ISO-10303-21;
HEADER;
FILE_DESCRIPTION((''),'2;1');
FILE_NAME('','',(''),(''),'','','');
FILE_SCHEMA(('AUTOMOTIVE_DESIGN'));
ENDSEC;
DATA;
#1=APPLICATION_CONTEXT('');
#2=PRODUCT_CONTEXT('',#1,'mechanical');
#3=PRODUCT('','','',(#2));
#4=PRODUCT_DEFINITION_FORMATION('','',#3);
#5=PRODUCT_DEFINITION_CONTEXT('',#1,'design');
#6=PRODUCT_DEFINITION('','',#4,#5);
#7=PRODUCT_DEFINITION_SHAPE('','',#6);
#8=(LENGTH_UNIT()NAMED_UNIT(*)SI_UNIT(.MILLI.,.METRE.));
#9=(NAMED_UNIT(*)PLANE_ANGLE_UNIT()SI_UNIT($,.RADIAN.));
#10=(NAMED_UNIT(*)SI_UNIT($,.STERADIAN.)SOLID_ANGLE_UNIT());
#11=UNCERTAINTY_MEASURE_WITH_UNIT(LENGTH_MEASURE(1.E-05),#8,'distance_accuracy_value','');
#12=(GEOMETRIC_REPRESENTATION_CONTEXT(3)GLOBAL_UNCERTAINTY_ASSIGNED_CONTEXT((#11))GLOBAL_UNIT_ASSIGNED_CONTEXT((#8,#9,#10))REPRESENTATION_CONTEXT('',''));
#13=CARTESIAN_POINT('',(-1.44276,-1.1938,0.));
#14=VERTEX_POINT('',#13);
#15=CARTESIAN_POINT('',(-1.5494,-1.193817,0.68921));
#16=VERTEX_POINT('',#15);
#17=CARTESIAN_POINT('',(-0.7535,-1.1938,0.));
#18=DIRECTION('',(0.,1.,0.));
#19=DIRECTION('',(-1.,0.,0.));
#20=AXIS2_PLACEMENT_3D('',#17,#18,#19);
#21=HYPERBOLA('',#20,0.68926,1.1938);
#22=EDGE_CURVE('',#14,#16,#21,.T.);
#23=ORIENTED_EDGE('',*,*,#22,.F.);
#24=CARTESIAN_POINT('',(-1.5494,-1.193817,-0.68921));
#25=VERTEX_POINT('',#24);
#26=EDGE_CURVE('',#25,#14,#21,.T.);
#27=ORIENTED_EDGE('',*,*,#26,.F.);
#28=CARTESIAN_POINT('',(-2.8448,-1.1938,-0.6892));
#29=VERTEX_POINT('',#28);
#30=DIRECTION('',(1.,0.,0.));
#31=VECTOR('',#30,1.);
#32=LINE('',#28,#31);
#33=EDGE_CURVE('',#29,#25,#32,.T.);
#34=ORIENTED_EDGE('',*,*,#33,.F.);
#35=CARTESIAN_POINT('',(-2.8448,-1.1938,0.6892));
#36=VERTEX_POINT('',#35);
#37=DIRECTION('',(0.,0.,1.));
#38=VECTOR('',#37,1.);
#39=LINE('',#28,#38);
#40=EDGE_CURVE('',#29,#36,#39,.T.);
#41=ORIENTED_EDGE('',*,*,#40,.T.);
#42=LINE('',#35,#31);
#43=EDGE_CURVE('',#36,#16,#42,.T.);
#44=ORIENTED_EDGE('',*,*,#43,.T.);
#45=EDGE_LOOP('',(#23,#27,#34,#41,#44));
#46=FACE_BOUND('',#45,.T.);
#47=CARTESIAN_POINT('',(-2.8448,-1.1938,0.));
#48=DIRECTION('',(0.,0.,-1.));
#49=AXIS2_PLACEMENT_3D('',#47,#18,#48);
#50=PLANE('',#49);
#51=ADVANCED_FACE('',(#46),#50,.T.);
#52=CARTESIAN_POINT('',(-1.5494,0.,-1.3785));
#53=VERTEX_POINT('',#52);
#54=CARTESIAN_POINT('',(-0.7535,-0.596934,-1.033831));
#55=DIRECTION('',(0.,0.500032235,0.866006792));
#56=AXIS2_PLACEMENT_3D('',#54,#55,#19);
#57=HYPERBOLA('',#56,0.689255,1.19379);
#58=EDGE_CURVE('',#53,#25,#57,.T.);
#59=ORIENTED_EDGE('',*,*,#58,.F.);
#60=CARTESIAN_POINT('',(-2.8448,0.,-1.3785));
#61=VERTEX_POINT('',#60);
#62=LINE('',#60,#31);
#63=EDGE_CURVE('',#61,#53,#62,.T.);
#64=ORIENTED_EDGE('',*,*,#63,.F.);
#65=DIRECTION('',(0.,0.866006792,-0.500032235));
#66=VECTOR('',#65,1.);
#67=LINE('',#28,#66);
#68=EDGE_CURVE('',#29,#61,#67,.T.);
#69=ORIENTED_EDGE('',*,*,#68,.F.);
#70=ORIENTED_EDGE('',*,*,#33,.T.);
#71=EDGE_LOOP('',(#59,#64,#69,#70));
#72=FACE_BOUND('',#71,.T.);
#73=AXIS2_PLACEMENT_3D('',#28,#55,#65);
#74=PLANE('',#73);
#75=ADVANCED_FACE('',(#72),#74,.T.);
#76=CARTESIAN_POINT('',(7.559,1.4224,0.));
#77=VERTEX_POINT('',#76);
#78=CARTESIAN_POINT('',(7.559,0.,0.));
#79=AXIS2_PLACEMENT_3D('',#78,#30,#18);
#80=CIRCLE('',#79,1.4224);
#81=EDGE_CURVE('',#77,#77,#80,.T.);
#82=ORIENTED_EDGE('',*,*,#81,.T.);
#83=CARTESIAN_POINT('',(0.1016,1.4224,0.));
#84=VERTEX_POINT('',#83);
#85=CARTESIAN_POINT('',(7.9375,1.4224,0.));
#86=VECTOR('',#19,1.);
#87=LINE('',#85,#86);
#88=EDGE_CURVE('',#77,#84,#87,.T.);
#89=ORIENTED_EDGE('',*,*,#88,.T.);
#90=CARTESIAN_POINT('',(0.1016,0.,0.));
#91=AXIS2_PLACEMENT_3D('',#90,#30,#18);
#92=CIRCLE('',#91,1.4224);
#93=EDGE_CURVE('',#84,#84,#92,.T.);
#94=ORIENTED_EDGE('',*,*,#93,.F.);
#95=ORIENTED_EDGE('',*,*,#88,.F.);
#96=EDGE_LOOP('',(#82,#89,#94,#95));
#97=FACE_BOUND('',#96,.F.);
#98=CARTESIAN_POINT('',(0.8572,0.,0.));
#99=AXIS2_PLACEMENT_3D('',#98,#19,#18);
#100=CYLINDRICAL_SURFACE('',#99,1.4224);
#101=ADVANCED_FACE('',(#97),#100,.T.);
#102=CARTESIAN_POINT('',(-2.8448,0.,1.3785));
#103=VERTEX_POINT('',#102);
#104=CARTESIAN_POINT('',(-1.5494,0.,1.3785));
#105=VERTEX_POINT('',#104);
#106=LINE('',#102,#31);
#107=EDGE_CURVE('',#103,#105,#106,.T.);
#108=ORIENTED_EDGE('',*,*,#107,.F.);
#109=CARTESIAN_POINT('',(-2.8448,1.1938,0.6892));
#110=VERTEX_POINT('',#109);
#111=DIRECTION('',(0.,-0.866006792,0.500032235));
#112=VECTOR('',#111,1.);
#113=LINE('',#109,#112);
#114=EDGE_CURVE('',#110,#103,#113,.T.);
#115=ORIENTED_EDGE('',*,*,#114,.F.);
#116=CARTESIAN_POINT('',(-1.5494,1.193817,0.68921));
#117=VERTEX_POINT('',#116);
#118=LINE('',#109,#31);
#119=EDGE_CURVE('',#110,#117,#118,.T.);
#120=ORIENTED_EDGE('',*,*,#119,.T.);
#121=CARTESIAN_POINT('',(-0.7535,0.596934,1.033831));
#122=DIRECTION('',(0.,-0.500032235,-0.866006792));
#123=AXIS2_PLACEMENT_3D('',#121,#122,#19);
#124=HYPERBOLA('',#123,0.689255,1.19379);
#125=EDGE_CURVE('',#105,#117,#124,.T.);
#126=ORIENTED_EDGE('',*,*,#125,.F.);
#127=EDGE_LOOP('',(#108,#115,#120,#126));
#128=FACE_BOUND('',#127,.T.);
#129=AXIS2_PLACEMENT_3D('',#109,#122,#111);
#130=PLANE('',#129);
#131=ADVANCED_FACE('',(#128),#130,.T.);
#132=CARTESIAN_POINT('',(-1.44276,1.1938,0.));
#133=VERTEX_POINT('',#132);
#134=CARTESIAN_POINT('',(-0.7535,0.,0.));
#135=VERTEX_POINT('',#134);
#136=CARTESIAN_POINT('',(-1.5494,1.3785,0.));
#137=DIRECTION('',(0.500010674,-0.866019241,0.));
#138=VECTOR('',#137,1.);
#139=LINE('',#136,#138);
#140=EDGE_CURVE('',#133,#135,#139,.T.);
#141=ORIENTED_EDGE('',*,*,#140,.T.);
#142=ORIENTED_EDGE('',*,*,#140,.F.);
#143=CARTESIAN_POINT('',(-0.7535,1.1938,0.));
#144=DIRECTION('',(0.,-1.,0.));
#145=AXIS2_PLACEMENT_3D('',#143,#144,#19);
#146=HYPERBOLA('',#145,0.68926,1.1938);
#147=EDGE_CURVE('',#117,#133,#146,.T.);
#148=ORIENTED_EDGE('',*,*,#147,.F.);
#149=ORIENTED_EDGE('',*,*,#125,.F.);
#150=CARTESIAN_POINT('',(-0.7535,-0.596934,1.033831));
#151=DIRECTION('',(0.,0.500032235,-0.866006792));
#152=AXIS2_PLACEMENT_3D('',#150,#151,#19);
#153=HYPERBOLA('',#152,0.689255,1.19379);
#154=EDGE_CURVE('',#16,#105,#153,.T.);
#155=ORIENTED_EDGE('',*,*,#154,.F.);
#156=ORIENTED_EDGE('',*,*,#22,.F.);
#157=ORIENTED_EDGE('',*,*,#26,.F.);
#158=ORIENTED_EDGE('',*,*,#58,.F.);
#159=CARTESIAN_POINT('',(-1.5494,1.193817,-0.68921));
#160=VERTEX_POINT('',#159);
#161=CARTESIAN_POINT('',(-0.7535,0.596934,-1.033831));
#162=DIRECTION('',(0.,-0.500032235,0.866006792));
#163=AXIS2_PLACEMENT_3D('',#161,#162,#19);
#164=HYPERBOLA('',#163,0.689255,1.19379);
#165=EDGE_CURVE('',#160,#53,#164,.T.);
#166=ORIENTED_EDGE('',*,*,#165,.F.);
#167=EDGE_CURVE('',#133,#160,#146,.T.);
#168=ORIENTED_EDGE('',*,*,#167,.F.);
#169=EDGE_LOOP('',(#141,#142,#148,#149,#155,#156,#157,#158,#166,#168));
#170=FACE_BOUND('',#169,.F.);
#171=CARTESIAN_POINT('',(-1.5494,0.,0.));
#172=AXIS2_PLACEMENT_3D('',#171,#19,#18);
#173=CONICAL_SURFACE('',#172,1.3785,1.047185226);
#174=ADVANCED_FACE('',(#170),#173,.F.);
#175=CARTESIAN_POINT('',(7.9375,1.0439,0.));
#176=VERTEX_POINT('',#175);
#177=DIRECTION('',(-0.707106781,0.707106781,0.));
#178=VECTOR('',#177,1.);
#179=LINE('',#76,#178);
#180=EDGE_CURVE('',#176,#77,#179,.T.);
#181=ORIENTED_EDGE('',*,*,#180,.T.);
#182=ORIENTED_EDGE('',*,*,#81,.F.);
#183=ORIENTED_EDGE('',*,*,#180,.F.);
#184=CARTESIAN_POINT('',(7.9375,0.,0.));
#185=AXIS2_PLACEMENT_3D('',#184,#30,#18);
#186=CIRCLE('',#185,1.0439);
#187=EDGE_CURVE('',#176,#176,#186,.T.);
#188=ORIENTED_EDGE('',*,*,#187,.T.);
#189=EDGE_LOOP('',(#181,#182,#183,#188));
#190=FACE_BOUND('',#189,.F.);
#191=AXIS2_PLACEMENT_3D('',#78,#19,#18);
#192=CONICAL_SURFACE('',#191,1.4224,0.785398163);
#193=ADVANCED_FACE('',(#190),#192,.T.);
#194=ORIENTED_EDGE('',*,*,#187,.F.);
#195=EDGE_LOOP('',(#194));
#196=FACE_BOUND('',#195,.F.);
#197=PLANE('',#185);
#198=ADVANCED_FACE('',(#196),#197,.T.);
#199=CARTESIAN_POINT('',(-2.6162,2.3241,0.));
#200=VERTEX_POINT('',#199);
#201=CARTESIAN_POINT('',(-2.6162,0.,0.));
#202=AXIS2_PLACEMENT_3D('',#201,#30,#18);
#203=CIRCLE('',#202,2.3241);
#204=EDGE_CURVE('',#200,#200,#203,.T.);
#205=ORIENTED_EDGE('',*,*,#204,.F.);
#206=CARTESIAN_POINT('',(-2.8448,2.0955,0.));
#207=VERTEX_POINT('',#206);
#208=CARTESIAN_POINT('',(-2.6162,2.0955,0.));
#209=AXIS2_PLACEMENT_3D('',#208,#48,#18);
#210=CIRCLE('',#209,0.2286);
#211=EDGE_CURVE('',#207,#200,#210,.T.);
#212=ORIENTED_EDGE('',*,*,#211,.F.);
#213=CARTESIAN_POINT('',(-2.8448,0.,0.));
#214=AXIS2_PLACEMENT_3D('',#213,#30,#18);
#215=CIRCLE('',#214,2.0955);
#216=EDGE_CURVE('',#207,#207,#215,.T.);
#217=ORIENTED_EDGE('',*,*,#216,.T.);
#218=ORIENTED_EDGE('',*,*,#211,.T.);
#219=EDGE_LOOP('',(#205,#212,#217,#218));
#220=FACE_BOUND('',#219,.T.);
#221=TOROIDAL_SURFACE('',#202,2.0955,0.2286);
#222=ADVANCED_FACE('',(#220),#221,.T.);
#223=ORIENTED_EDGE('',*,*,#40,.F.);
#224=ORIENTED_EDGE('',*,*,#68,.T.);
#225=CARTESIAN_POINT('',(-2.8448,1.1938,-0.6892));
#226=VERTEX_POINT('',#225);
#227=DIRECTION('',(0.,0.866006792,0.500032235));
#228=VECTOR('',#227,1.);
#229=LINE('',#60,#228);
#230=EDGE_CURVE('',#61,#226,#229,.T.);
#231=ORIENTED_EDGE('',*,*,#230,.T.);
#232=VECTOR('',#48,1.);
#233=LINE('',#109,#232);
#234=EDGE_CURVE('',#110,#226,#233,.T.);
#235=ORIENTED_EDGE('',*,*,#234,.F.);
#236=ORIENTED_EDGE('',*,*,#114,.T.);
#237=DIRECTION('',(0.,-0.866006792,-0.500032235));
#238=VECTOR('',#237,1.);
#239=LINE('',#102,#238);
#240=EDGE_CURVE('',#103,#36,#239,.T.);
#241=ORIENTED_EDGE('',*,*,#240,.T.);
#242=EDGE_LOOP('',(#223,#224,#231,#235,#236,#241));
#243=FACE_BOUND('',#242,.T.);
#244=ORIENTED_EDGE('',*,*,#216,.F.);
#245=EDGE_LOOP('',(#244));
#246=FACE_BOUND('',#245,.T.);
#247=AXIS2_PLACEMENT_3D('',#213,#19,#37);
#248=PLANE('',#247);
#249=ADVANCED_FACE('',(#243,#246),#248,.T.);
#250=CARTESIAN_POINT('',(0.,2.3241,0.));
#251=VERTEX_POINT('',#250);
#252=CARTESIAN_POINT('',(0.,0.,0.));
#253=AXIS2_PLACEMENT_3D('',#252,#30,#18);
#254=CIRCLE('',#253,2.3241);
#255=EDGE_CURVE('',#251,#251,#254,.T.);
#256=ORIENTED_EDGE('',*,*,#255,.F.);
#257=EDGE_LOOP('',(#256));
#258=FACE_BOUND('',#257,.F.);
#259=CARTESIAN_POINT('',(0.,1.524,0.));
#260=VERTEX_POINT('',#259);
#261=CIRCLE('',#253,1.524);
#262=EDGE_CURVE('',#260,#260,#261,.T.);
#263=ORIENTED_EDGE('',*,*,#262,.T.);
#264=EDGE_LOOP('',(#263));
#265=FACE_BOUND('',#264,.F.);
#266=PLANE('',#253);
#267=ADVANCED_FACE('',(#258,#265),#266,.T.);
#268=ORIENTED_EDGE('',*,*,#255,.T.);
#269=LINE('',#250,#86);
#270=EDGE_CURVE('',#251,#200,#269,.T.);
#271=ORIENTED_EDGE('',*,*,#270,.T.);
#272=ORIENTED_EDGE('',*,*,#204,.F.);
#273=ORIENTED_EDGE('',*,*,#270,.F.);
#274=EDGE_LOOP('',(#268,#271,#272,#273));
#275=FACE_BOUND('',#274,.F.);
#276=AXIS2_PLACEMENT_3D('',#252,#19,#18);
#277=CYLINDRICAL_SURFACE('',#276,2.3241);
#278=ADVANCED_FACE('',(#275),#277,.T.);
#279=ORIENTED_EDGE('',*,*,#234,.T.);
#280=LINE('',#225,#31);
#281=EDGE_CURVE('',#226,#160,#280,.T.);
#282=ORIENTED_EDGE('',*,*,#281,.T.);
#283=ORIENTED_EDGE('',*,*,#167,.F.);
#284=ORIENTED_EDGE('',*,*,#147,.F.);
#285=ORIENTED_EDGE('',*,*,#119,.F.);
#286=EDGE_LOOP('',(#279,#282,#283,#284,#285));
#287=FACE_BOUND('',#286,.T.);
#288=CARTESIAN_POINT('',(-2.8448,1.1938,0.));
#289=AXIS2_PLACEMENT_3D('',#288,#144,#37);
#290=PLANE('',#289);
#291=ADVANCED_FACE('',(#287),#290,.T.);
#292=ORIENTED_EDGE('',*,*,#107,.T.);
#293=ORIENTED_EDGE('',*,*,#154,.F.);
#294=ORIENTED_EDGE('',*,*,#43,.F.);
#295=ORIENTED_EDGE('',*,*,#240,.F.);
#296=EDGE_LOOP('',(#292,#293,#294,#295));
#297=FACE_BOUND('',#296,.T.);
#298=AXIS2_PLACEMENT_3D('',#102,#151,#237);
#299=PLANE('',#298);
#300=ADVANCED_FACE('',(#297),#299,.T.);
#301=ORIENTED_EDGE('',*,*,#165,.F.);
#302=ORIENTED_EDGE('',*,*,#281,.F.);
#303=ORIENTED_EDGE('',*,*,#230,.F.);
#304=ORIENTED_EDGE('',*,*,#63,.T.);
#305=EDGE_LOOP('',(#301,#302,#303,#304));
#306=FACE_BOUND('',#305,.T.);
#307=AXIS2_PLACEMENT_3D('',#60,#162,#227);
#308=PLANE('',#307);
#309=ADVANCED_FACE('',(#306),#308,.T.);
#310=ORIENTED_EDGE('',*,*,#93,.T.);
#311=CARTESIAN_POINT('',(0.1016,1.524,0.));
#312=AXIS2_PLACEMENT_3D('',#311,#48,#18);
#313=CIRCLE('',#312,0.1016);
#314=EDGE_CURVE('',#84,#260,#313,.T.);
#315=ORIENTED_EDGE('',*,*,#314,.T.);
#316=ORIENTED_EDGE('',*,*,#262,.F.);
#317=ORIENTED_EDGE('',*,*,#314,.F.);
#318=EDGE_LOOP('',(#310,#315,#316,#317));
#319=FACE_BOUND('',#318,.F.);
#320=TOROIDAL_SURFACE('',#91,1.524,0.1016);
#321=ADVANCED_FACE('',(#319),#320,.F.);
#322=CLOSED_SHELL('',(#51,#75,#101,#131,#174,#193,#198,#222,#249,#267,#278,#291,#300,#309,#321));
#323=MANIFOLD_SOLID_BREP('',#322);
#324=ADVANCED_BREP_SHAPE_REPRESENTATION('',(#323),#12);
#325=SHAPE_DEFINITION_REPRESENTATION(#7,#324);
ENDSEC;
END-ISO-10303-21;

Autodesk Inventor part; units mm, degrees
ref_plane "YZ Plane" through (0, 0, 0) normal (1, 0, 0) x (0, 1, 0)
ref_plane "XZ Plane" through (0, 0, 0) normal (0, 1, 0) x (-1, 0, 0)
sketch "Sketch1" plane through (0, 0, 0) normal (0, 0, 1) x (1, 0, 0)
  line L0 (-0.7535, 0) -> (7.9375, 0)
  line L1 (7.9375, 0) -> (7.9375, 1.4224)
  line L2 (7.9375, 1.4224) -> (2.4448, 1.4224)
  line L3 (2.4448, 1.4224) -> (0.8572, 1.4224)
  line L4 (0.8572, 1.4224) -> (0, 1.4224)
  line L5 (0, 1.4224) -> (0, 2.3241)
  line L6 (0, 2.3241) -> (-2.8448, 2.3241)
  line L7 (-2.8448, 2.3241) -> (-2.8448, 1.3785)
  line L8 (-2.8448, 1.3785) -> (-1.5494, 1.3785)
  line L9 (-1.5494, 1.3785) -> (-0.7535, 0)
  line L10 (-5.0013, 0) -> (10.094, 0) projected
  line L11 (0, -0.4648) -> (0, 2.7889) projected
  line L12 (2.4448, 1.4224) -> (0, 1.4224) construction
  dimension "d1" = 5.4928
  dimension "d2" = 1.5876
  dimension "d3" = 2.8448
  dimension "d4" = 1.2954
  dimension "d5" = 60
  dimension "d6" = 2.8448
  dimension "d7" = 2.8448
  dimension "d8" = 2.757
  dimension "d9" = 4.6482
  dimension "d26" = 7.9375
revolve "Body" add sketch "Sketch1" angle 360 about axis through (-0.7535, 0, 0) along (1, 0, 0)
sketch "Sketch2" plane through (-2.8448, 0, 0) normal (-1, 0, 0) x (0, 0, 1)
  circle A0 centre (0, 0) radius 1.3785 projected
  line L0 (0, -3.2537) -> (0, 3.2537) projected
  line L1 (-3.2537, 0) -> (3.2537, 0) projected
  line L2 (1.3785, 0) -> (0.6892, -1.1938)
  line L3 (0.6892, -1.1938) -> (-0.6892, -1.1938)
  line L4 (-0.6892, -1.1938) -> (-1.3785, 0)
  line L5 (-1.3785, 0) -> (-0.6892, 1.1938)
  line L6 (-0.6892, 1.1938) -> (0.6892, 1.1938)
  line L7 (0.6892, 1.1938) -> (1.3785, 0)
  point P0 (0, 0)
extrude "Slot" add sketch "Sketch2" against normal up to next contours L7 A0 | A0 L2 | L6 L0 A0 | A0 L0 L3 | L0 L6 A0 | A0 L3 L0 | L4 A0 | A0 L5
fillet "Fillet1" radius 0.2286 1 edges at (-2.8448, -2.3241, 0)
thread "Thread" size "4-40 UNC" class "2A" standard "ANSI Unified Screw Threads" length 5.4927
chamfer "Chamfer1" distance 0.3785 distance2 0.3785 1 edges at (7.9375, -1.4224, 0) measured on face at (7.9375, -0.3549, 0.3144)
ref_plane "Work Plane1" through (29, 0, 0) normal (0, -1, 0) x (1, 0, 0)
fillet "Fillet2" radius 0.1016 1 edges at (0, -1.4224, 0)
equation "\"d1\" = GEL"
equation "\"d3\" = KOH"
equation "\"d4\" = INTI"
equation "\"d6\" = GD"
equation "\"d7\" = BDM"
equation "\"d8\" = 1.1547 * SW"
equation "\"d9\" = KOD"
equation "\"d26\" = NLG"
equation "\"d30\" = R"
equation "\"d17\" = RR"
equation "\"d13\" = GEL"
equation "\"d15\" = -0.5 * SPD + 0.5 * GD"
equation "\"d16\" = GUL"
equation "\"GD\" = 2.8448"
equation "\"NLG\" = 7.9375"
equation "\"GEL\" = 5.49275"
equation "\"KOD\" = 4.6482"
equation "\"KOH\" = 2.8448"
equation "\"INTI\" = 1.2954"
equation "\"GAL\" = 1.5875"
equation "\"GUL\" = 0.37846"
equation "\"BDM\" = 2.8448"
equation "\"SW\" = 2.3876"
equation "\"RR\" = 0.2286"
equation "\"SPD\" = 2.08788"
equation "\"R\" = 0.1016"
equation "\"PHH\" = 0.127"
equation "\"GD1\" = SPD"
equation "\"THREADDIA\" = 2.8448"
equation "\"FAWI\" = 45deg"
equation "\"KOH1\" = 2.5654"
equation "\"NND\" = 2.8448"
equation "\"TOA\" = 30deg"
equation "\"E0\" = 1.155 * SW"
properties part number "ANSI B18.3 - No. 4 - 40 UNC - 5/16 HS HCS" material "Steel, Alloy"
